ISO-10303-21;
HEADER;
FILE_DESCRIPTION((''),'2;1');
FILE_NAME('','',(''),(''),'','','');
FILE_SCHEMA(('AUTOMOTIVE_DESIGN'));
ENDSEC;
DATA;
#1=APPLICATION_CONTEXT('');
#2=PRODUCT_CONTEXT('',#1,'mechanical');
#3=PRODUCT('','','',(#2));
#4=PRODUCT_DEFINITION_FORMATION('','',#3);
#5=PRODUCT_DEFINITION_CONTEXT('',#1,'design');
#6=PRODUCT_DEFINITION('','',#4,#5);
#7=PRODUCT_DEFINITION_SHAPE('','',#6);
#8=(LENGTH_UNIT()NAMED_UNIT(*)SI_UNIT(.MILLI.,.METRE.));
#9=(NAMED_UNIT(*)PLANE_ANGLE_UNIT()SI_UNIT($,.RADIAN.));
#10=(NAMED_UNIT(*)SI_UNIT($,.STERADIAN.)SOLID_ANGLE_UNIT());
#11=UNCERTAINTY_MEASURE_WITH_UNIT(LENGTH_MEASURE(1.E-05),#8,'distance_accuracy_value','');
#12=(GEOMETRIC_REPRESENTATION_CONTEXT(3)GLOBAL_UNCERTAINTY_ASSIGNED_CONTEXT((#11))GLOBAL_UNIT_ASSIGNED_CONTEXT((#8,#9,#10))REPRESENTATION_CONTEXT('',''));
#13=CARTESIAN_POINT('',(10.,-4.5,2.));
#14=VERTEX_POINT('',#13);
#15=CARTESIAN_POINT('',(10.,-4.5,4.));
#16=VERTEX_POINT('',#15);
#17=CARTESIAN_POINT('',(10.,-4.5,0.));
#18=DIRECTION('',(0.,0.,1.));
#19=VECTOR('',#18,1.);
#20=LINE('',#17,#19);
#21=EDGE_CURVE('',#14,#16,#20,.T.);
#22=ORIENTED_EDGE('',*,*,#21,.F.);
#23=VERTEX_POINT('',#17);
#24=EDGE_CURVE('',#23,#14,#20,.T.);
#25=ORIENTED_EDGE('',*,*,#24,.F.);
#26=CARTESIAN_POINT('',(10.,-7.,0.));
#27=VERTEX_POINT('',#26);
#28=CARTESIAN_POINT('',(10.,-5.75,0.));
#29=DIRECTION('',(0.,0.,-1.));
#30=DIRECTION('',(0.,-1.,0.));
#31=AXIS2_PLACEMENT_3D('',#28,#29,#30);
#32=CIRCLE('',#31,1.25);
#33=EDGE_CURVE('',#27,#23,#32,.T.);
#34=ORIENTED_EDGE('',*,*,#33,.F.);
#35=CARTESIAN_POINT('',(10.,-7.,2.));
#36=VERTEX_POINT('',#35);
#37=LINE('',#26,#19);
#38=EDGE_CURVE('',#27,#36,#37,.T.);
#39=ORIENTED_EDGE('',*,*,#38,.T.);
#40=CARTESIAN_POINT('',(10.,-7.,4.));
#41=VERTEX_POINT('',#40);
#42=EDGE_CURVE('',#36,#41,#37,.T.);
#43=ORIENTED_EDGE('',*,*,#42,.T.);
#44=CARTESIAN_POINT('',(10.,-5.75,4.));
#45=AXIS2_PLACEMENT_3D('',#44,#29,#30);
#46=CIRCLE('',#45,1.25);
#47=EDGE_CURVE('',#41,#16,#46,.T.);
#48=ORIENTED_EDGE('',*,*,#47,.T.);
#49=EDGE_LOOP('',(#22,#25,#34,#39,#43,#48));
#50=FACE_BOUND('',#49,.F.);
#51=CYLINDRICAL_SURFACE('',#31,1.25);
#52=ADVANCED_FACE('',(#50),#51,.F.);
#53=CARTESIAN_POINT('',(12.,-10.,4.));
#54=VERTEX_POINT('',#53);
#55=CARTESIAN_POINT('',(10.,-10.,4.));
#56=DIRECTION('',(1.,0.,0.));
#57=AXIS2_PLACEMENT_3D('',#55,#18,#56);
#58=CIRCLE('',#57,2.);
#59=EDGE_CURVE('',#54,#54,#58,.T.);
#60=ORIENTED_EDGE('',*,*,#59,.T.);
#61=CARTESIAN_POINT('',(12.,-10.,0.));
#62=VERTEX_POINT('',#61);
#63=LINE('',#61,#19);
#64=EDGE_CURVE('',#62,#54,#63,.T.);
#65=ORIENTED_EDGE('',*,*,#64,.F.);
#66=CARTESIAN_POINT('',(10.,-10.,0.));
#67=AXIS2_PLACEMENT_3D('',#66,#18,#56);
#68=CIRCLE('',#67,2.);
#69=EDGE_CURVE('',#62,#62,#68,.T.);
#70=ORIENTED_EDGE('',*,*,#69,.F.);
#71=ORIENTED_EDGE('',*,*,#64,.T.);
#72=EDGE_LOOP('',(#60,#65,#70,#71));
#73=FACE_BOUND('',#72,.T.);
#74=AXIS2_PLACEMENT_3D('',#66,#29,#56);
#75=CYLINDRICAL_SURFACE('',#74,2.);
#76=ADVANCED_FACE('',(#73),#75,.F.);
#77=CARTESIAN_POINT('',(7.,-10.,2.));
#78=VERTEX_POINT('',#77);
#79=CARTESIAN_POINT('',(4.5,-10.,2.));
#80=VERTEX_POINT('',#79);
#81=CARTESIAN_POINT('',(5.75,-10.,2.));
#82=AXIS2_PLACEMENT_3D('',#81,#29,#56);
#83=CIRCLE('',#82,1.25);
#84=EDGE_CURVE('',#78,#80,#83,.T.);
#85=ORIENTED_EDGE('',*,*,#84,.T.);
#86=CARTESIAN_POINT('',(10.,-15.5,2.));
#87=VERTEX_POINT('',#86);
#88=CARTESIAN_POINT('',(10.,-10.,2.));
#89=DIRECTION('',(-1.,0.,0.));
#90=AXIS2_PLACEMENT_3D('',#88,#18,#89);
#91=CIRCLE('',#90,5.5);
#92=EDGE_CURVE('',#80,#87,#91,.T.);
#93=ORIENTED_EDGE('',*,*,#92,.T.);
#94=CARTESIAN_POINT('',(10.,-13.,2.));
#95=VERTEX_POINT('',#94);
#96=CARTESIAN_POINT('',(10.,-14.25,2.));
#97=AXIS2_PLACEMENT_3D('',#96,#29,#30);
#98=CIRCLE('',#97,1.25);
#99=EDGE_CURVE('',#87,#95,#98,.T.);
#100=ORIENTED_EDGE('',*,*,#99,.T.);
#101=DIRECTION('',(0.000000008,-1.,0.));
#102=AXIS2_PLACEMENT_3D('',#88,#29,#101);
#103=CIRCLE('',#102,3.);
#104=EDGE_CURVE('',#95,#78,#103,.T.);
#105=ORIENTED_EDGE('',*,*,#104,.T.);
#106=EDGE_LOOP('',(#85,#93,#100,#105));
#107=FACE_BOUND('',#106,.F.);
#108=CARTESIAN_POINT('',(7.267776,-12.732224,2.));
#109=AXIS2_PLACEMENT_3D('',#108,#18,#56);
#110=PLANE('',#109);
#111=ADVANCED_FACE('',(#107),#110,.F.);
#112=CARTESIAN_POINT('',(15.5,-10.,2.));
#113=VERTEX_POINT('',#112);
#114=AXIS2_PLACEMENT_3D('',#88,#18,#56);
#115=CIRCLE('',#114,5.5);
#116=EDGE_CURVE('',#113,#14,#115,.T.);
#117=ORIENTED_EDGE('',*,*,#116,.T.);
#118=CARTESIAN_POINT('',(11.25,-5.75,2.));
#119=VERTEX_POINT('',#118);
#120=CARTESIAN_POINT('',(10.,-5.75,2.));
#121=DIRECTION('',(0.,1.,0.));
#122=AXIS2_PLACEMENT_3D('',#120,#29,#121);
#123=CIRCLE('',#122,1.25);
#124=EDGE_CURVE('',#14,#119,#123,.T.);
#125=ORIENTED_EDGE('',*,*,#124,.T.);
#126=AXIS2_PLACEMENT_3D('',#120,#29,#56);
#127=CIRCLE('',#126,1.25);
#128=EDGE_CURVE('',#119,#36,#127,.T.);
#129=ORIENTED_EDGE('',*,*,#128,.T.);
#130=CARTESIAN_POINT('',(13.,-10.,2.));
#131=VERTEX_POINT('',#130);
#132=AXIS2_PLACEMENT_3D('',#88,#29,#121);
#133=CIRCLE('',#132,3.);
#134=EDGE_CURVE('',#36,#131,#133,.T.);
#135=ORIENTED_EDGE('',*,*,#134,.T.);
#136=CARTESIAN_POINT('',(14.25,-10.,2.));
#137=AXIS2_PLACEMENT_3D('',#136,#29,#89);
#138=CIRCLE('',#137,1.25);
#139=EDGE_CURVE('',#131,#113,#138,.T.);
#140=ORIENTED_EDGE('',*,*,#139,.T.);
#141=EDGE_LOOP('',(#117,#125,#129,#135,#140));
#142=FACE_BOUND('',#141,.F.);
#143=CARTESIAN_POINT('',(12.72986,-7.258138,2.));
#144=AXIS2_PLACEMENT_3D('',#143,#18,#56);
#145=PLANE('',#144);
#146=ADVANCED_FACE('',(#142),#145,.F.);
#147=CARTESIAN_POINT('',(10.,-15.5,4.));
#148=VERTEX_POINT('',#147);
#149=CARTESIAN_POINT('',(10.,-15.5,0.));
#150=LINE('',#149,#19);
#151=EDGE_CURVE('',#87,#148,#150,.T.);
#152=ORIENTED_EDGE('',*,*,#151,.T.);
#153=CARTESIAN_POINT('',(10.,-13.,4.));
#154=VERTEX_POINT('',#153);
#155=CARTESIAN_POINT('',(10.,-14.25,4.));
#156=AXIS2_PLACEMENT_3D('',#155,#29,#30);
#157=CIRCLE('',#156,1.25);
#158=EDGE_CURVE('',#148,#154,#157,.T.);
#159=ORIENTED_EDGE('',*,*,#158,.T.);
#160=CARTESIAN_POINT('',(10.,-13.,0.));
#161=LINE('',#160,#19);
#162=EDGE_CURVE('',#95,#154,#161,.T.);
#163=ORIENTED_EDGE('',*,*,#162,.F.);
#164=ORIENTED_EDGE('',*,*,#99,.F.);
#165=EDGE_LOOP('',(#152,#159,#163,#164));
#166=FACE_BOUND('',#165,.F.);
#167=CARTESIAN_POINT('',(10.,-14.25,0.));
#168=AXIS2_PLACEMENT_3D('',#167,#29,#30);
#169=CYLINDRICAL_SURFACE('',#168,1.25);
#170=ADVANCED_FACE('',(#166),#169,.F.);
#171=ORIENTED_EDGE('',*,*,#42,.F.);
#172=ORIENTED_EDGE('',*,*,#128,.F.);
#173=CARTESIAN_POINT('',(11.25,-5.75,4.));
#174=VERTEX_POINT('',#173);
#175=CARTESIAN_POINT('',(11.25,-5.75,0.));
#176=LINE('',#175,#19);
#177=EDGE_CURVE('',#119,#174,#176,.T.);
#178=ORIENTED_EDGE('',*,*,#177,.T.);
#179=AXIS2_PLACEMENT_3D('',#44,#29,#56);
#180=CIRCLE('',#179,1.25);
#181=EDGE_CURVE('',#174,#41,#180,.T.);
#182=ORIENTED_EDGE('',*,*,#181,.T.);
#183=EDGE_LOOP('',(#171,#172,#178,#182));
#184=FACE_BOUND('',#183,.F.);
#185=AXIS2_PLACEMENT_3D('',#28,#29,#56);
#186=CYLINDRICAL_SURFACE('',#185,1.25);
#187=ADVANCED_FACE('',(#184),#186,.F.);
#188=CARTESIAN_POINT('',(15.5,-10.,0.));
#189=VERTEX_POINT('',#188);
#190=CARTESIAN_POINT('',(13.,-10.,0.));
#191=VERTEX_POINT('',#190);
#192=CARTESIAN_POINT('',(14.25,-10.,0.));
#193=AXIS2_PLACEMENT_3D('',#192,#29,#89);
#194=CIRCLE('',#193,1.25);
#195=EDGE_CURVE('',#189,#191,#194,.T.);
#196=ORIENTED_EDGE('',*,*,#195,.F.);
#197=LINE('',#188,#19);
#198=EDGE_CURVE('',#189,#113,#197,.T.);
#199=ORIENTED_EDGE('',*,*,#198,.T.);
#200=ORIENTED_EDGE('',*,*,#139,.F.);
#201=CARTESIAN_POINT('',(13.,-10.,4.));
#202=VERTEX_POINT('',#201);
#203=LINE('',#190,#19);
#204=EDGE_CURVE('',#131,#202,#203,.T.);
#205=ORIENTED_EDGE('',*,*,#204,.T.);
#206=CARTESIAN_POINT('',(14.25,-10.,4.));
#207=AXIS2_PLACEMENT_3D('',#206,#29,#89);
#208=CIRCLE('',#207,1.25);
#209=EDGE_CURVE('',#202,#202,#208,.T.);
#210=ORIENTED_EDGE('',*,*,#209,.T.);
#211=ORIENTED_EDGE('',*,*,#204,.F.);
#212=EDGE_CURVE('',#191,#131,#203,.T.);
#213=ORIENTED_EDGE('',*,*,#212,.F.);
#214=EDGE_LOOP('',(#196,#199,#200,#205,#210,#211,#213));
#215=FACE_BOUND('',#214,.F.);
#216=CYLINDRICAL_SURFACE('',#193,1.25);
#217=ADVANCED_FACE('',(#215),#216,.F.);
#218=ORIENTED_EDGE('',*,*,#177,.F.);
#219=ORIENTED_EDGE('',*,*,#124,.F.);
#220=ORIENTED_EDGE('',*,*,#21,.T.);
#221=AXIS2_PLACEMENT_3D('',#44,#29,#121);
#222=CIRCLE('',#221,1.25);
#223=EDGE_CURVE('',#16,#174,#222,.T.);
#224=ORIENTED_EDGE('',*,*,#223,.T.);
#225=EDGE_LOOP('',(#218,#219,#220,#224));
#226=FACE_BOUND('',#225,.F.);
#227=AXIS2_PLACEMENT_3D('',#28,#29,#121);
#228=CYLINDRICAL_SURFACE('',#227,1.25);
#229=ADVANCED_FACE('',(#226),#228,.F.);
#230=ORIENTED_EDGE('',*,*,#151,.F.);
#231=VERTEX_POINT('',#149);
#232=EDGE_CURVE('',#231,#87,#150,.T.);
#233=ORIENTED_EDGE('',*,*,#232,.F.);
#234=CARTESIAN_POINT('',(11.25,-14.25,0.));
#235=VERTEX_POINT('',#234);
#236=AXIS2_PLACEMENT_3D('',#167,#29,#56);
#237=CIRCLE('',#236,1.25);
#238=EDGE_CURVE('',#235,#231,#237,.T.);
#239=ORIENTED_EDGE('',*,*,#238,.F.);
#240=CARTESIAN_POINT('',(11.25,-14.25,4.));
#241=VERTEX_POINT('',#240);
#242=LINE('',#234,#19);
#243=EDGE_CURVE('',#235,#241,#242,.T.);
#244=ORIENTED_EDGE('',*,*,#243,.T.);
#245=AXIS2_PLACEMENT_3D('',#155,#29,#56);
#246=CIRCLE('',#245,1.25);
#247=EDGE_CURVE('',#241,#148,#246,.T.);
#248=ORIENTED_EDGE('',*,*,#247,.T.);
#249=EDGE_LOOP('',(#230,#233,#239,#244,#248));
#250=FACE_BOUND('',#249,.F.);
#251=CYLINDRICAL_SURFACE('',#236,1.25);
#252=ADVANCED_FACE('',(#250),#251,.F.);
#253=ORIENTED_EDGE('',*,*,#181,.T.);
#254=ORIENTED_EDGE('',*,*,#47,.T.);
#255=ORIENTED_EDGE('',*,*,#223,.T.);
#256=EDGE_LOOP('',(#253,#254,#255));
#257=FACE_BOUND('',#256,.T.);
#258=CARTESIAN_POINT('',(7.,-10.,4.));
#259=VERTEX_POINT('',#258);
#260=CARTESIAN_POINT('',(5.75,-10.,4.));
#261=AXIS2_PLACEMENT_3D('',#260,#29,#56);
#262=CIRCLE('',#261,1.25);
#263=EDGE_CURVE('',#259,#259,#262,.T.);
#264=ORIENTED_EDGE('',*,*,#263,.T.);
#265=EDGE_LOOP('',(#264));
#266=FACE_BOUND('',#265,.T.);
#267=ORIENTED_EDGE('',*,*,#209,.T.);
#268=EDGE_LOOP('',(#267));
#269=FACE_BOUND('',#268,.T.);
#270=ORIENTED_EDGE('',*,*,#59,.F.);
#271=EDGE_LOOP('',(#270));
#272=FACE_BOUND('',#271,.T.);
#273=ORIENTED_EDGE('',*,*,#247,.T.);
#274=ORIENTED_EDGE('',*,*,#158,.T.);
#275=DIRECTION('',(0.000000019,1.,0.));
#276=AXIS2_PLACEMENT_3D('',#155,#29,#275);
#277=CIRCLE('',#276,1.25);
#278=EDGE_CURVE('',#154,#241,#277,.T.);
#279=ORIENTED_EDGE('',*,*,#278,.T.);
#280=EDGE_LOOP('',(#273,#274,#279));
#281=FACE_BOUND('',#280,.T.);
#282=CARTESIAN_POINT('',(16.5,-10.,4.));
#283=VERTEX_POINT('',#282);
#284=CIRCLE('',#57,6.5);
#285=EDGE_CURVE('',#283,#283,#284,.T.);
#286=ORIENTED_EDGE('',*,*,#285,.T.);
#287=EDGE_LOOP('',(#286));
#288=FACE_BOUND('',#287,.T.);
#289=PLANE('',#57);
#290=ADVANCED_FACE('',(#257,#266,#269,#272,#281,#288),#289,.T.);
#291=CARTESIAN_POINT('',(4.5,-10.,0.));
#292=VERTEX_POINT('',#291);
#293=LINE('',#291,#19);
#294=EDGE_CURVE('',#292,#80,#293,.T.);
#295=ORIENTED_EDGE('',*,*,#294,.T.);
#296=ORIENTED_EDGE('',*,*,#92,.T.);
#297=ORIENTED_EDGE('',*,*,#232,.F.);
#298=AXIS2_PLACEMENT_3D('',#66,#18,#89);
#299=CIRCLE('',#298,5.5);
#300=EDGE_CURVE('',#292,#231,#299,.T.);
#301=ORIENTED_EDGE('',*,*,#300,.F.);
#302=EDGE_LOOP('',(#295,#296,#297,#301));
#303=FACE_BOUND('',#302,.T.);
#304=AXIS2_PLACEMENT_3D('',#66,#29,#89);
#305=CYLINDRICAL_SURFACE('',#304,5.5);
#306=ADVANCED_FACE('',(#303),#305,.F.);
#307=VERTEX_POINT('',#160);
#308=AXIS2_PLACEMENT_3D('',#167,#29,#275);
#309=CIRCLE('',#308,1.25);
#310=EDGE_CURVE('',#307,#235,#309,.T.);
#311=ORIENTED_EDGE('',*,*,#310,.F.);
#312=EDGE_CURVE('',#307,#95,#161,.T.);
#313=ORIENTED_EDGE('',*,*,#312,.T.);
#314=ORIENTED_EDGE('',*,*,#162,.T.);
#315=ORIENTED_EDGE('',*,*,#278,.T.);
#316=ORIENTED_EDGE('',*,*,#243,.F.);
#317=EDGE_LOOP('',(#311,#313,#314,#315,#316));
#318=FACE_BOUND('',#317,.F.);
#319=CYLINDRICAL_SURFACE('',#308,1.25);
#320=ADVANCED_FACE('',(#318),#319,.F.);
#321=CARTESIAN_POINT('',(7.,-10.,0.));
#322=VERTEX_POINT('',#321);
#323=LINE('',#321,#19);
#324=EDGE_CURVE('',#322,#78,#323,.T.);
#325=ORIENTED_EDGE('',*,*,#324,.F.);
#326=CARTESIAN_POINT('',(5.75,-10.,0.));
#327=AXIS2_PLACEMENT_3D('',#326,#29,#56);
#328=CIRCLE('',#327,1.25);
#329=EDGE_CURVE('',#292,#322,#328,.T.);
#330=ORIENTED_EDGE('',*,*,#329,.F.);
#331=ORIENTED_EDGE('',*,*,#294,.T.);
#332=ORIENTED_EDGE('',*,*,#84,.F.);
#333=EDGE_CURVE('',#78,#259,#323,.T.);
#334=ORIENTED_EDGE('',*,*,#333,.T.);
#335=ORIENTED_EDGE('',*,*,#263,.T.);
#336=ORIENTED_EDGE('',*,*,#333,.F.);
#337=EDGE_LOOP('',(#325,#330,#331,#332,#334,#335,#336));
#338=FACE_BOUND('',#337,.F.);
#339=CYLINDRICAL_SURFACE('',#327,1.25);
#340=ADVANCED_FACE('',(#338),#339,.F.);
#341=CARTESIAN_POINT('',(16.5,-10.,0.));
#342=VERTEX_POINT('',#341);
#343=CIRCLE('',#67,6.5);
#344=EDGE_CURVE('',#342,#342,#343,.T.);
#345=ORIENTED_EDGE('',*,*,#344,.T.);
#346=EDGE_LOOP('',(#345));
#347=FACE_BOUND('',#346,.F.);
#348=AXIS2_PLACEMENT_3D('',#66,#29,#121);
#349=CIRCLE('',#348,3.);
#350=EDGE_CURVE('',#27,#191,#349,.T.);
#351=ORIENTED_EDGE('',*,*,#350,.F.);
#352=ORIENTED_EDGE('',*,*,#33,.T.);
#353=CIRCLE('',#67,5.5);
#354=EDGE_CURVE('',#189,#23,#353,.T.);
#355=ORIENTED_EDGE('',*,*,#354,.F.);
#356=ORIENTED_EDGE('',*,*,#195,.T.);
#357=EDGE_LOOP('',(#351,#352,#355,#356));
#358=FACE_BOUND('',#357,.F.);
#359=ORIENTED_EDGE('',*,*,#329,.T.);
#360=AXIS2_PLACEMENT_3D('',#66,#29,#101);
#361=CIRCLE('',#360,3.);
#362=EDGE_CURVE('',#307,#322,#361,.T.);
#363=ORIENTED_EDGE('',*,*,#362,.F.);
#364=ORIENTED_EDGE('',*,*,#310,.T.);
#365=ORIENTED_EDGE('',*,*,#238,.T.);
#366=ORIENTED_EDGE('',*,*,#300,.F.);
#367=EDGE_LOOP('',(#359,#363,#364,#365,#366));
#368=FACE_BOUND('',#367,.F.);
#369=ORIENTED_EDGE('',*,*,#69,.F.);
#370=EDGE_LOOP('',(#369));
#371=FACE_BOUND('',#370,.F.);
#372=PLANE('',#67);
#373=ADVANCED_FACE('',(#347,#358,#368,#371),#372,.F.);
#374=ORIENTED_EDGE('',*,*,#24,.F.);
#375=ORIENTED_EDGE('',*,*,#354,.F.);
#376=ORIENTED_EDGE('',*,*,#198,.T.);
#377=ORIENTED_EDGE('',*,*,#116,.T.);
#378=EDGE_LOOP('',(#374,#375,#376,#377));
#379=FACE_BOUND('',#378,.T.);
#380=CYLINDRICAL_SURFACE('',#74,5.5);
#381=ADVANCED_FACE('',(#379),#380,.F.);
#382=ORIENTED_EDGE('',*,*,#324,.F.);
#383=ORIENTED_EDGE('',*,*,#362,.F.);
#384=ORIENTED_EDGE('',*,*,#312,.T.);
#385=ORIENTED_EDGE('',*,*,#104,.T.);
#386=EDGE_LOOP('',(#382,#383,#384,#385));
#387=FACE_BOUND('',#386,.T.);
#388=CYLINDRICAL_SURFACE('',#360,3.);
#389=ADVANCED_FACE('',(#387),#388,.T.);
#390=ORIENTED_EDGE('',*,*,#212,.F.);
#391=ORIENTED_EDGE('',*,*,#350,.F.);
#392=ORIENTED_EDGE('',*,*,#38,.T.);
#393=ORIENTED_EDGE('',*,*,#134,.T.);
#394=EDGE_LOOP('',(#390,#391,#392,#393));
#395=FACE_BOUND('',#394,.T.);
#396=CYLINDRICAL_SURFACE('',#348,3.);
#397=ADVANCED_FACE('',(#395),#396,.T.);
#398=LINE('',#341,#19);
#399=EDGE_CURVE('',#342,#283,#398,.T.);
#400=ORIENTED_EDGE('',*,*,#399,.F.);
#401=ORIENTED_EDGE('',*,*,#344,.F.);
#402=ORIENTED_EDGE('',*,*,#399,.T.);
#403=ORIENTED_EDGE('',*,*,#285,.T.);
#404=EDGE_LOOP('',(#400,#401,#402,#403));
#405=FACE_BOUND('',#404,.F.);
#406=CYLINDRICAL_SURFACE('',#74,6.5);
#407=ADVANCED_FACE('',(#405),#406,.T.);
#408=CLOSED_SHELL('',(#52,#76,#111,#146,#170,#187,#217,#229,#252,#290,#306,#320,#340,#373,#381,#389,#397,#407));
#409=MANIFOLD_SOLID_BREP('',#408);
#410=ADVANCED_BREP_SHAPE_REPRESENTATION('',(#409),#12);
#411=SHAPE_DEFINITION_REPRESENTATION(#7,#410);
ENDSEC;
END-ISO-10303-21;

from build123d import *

# Parameters (mm, degrees)
F0_R     = 6.5
F0_R_2   = 2
F1_DEPTH = 4
F2_DEPTH = 2


with BuildPart() as f1:
    # F0 (on Top) → F1 (new body)
    with BuildSketch(Plane.XY):
        with Locations((10, -10)):
            Circle(F0_R)
        with BuildLine():
            ThreePointArc((10, -4.5), (13.8890872965, -6.1109127035), (15.5, -10))
            ThreePointArc((15.5, -10), (13.8890872965, -13.8890872965), (10, -15.5))
            ThreePointArc((10, -15.5), (6.1109127035, -13.8890872965), (4.5, -10))
            ThreePointArc((4.5, -10), (6.1109127035, -6.1109127035), (10, -4.5))
        make_face(mode=Mode.SUBTRACT)
        with BuildLine():
            ThreePointArc((10.0000000233, -13), (12.1213203518, -12.1213203353), (13, -10))
            ThreePointArc((13, -10), (12.1213203436, -7.8786796564), (10, -7))
            ThreePointArc((10, -7), (7.8786796564, -7.8786796564), (7, -10))
            ThreePointArc((7, -10), (7.8786796647, -12.1213203518), (10.0000000233, -13))
        make_face()
        with Locations((10, -10)):
            Circle(F0_R_2, mode=Mode.SUBTRACT)
        with BuildLine():
            ThreePointArc((10, -7), (8.75, -5.75), (10, -4.5))
            ThreePointArc((10, -4.5), (6.1109127035, -6.1109127035), (4.5, -10))
            ThreePointArc((4.5, -10), (5.75, -8.75), (7, -10))
            ThreePointArc((7, -10), (7.8786796564, -7.8786796564), (10, -7))
        make_face()
        with BuildLine():
            ThreePointArc((10, -15.5), (13.8890872965, -13.8890872965), (15.5, -10))
            ThreePointArc((15.5, -10), (14.25, -11.25), (13, -10))
            ThreePointArc((13, -10), (12.1213203518, -12.1213203353), (10.0000000233, -13))
            ThreePointArc((10.0000000233, -13), (10.8838834847, -13.3661165318), (11.25, -14.25))
            ThreePointArc((11.25, -14.25), (10.8838834765, -15.1338834765), (10, -15.5))
        make_face()
        with BuildLine():
            ThreePointArc((4.5, -10), (6.1109127035, -13.8890872965), (10, -15.5))
            ThreePointArc((10, -15.5), (8.75, -14.2499999883), (10.0000000233, -13))
            ThreePointArc((10.0000000233, -13), (7.8786796647, -12.1213203518), (7, -10))
            ThreePointArc((7, -10), (5.75, -11.25), (4.5, -10))
        make_face()
        with BuildLine():
            ThreePointArc((13, -10), (14.25, -8.75), (15.5, -10))
            ThreePointArc((15.5, -10), (13.8890872965, -6.1109127035), (10, -4.5))
            ThreePointArc((10, -4.5), (10.8838834765, -4.8661165235), (11.25, -5.75))
            ThreePointArc((11.25, -5.75), (10.8838834765, -6.6338834765), (10, -7))
            ThreePointArc((10, -7), (12.1213203436, -7.8786796564), (13, -10))
        make_face()
    extrude(amount=F1_DEPTH)

    # F0 (on Top) → F2 (cut)
    with BuildSketch(Plane.XY):
        with BuildLine():
            ThreePointArc((4.5, -10), (6.1109127035, -13.8890872965), (10, -15.5))
            ThreePointArc((10, -15.5), (8.75, -14.2499999883), (10.0000000233, -13))
            ThreePointArc((10.0000000233, -13), (7.8786796647, -12.1213203518), (7, -10))
            ThreePointArc((7, -10), (5.75, -11.25), (4.5, -10))
        make_face()
        with BuildLine():
            ThreePointArc((13, -10), (14.25, -8.75), (15.5, -10))
            ThreePointArc((15.5, -10), (13.8890872965, -6.1109127035), (10, -4.5))
            ThreePointArc((10, -4.5), (10.8838834765, -4.8661165235), (11.25, -5.75))
            ThreePointArc((11.25, -5.75), (10.8838834765, -6.6338834765), (10, -7))
            ThreePointArc((10, -7), (12.1213203436, -7.8786796564), (13, -10))
        make_face()
    extrude(amount=F2_DEPTH, mode=Mode.SUBTRACT)


solid = f1.part
